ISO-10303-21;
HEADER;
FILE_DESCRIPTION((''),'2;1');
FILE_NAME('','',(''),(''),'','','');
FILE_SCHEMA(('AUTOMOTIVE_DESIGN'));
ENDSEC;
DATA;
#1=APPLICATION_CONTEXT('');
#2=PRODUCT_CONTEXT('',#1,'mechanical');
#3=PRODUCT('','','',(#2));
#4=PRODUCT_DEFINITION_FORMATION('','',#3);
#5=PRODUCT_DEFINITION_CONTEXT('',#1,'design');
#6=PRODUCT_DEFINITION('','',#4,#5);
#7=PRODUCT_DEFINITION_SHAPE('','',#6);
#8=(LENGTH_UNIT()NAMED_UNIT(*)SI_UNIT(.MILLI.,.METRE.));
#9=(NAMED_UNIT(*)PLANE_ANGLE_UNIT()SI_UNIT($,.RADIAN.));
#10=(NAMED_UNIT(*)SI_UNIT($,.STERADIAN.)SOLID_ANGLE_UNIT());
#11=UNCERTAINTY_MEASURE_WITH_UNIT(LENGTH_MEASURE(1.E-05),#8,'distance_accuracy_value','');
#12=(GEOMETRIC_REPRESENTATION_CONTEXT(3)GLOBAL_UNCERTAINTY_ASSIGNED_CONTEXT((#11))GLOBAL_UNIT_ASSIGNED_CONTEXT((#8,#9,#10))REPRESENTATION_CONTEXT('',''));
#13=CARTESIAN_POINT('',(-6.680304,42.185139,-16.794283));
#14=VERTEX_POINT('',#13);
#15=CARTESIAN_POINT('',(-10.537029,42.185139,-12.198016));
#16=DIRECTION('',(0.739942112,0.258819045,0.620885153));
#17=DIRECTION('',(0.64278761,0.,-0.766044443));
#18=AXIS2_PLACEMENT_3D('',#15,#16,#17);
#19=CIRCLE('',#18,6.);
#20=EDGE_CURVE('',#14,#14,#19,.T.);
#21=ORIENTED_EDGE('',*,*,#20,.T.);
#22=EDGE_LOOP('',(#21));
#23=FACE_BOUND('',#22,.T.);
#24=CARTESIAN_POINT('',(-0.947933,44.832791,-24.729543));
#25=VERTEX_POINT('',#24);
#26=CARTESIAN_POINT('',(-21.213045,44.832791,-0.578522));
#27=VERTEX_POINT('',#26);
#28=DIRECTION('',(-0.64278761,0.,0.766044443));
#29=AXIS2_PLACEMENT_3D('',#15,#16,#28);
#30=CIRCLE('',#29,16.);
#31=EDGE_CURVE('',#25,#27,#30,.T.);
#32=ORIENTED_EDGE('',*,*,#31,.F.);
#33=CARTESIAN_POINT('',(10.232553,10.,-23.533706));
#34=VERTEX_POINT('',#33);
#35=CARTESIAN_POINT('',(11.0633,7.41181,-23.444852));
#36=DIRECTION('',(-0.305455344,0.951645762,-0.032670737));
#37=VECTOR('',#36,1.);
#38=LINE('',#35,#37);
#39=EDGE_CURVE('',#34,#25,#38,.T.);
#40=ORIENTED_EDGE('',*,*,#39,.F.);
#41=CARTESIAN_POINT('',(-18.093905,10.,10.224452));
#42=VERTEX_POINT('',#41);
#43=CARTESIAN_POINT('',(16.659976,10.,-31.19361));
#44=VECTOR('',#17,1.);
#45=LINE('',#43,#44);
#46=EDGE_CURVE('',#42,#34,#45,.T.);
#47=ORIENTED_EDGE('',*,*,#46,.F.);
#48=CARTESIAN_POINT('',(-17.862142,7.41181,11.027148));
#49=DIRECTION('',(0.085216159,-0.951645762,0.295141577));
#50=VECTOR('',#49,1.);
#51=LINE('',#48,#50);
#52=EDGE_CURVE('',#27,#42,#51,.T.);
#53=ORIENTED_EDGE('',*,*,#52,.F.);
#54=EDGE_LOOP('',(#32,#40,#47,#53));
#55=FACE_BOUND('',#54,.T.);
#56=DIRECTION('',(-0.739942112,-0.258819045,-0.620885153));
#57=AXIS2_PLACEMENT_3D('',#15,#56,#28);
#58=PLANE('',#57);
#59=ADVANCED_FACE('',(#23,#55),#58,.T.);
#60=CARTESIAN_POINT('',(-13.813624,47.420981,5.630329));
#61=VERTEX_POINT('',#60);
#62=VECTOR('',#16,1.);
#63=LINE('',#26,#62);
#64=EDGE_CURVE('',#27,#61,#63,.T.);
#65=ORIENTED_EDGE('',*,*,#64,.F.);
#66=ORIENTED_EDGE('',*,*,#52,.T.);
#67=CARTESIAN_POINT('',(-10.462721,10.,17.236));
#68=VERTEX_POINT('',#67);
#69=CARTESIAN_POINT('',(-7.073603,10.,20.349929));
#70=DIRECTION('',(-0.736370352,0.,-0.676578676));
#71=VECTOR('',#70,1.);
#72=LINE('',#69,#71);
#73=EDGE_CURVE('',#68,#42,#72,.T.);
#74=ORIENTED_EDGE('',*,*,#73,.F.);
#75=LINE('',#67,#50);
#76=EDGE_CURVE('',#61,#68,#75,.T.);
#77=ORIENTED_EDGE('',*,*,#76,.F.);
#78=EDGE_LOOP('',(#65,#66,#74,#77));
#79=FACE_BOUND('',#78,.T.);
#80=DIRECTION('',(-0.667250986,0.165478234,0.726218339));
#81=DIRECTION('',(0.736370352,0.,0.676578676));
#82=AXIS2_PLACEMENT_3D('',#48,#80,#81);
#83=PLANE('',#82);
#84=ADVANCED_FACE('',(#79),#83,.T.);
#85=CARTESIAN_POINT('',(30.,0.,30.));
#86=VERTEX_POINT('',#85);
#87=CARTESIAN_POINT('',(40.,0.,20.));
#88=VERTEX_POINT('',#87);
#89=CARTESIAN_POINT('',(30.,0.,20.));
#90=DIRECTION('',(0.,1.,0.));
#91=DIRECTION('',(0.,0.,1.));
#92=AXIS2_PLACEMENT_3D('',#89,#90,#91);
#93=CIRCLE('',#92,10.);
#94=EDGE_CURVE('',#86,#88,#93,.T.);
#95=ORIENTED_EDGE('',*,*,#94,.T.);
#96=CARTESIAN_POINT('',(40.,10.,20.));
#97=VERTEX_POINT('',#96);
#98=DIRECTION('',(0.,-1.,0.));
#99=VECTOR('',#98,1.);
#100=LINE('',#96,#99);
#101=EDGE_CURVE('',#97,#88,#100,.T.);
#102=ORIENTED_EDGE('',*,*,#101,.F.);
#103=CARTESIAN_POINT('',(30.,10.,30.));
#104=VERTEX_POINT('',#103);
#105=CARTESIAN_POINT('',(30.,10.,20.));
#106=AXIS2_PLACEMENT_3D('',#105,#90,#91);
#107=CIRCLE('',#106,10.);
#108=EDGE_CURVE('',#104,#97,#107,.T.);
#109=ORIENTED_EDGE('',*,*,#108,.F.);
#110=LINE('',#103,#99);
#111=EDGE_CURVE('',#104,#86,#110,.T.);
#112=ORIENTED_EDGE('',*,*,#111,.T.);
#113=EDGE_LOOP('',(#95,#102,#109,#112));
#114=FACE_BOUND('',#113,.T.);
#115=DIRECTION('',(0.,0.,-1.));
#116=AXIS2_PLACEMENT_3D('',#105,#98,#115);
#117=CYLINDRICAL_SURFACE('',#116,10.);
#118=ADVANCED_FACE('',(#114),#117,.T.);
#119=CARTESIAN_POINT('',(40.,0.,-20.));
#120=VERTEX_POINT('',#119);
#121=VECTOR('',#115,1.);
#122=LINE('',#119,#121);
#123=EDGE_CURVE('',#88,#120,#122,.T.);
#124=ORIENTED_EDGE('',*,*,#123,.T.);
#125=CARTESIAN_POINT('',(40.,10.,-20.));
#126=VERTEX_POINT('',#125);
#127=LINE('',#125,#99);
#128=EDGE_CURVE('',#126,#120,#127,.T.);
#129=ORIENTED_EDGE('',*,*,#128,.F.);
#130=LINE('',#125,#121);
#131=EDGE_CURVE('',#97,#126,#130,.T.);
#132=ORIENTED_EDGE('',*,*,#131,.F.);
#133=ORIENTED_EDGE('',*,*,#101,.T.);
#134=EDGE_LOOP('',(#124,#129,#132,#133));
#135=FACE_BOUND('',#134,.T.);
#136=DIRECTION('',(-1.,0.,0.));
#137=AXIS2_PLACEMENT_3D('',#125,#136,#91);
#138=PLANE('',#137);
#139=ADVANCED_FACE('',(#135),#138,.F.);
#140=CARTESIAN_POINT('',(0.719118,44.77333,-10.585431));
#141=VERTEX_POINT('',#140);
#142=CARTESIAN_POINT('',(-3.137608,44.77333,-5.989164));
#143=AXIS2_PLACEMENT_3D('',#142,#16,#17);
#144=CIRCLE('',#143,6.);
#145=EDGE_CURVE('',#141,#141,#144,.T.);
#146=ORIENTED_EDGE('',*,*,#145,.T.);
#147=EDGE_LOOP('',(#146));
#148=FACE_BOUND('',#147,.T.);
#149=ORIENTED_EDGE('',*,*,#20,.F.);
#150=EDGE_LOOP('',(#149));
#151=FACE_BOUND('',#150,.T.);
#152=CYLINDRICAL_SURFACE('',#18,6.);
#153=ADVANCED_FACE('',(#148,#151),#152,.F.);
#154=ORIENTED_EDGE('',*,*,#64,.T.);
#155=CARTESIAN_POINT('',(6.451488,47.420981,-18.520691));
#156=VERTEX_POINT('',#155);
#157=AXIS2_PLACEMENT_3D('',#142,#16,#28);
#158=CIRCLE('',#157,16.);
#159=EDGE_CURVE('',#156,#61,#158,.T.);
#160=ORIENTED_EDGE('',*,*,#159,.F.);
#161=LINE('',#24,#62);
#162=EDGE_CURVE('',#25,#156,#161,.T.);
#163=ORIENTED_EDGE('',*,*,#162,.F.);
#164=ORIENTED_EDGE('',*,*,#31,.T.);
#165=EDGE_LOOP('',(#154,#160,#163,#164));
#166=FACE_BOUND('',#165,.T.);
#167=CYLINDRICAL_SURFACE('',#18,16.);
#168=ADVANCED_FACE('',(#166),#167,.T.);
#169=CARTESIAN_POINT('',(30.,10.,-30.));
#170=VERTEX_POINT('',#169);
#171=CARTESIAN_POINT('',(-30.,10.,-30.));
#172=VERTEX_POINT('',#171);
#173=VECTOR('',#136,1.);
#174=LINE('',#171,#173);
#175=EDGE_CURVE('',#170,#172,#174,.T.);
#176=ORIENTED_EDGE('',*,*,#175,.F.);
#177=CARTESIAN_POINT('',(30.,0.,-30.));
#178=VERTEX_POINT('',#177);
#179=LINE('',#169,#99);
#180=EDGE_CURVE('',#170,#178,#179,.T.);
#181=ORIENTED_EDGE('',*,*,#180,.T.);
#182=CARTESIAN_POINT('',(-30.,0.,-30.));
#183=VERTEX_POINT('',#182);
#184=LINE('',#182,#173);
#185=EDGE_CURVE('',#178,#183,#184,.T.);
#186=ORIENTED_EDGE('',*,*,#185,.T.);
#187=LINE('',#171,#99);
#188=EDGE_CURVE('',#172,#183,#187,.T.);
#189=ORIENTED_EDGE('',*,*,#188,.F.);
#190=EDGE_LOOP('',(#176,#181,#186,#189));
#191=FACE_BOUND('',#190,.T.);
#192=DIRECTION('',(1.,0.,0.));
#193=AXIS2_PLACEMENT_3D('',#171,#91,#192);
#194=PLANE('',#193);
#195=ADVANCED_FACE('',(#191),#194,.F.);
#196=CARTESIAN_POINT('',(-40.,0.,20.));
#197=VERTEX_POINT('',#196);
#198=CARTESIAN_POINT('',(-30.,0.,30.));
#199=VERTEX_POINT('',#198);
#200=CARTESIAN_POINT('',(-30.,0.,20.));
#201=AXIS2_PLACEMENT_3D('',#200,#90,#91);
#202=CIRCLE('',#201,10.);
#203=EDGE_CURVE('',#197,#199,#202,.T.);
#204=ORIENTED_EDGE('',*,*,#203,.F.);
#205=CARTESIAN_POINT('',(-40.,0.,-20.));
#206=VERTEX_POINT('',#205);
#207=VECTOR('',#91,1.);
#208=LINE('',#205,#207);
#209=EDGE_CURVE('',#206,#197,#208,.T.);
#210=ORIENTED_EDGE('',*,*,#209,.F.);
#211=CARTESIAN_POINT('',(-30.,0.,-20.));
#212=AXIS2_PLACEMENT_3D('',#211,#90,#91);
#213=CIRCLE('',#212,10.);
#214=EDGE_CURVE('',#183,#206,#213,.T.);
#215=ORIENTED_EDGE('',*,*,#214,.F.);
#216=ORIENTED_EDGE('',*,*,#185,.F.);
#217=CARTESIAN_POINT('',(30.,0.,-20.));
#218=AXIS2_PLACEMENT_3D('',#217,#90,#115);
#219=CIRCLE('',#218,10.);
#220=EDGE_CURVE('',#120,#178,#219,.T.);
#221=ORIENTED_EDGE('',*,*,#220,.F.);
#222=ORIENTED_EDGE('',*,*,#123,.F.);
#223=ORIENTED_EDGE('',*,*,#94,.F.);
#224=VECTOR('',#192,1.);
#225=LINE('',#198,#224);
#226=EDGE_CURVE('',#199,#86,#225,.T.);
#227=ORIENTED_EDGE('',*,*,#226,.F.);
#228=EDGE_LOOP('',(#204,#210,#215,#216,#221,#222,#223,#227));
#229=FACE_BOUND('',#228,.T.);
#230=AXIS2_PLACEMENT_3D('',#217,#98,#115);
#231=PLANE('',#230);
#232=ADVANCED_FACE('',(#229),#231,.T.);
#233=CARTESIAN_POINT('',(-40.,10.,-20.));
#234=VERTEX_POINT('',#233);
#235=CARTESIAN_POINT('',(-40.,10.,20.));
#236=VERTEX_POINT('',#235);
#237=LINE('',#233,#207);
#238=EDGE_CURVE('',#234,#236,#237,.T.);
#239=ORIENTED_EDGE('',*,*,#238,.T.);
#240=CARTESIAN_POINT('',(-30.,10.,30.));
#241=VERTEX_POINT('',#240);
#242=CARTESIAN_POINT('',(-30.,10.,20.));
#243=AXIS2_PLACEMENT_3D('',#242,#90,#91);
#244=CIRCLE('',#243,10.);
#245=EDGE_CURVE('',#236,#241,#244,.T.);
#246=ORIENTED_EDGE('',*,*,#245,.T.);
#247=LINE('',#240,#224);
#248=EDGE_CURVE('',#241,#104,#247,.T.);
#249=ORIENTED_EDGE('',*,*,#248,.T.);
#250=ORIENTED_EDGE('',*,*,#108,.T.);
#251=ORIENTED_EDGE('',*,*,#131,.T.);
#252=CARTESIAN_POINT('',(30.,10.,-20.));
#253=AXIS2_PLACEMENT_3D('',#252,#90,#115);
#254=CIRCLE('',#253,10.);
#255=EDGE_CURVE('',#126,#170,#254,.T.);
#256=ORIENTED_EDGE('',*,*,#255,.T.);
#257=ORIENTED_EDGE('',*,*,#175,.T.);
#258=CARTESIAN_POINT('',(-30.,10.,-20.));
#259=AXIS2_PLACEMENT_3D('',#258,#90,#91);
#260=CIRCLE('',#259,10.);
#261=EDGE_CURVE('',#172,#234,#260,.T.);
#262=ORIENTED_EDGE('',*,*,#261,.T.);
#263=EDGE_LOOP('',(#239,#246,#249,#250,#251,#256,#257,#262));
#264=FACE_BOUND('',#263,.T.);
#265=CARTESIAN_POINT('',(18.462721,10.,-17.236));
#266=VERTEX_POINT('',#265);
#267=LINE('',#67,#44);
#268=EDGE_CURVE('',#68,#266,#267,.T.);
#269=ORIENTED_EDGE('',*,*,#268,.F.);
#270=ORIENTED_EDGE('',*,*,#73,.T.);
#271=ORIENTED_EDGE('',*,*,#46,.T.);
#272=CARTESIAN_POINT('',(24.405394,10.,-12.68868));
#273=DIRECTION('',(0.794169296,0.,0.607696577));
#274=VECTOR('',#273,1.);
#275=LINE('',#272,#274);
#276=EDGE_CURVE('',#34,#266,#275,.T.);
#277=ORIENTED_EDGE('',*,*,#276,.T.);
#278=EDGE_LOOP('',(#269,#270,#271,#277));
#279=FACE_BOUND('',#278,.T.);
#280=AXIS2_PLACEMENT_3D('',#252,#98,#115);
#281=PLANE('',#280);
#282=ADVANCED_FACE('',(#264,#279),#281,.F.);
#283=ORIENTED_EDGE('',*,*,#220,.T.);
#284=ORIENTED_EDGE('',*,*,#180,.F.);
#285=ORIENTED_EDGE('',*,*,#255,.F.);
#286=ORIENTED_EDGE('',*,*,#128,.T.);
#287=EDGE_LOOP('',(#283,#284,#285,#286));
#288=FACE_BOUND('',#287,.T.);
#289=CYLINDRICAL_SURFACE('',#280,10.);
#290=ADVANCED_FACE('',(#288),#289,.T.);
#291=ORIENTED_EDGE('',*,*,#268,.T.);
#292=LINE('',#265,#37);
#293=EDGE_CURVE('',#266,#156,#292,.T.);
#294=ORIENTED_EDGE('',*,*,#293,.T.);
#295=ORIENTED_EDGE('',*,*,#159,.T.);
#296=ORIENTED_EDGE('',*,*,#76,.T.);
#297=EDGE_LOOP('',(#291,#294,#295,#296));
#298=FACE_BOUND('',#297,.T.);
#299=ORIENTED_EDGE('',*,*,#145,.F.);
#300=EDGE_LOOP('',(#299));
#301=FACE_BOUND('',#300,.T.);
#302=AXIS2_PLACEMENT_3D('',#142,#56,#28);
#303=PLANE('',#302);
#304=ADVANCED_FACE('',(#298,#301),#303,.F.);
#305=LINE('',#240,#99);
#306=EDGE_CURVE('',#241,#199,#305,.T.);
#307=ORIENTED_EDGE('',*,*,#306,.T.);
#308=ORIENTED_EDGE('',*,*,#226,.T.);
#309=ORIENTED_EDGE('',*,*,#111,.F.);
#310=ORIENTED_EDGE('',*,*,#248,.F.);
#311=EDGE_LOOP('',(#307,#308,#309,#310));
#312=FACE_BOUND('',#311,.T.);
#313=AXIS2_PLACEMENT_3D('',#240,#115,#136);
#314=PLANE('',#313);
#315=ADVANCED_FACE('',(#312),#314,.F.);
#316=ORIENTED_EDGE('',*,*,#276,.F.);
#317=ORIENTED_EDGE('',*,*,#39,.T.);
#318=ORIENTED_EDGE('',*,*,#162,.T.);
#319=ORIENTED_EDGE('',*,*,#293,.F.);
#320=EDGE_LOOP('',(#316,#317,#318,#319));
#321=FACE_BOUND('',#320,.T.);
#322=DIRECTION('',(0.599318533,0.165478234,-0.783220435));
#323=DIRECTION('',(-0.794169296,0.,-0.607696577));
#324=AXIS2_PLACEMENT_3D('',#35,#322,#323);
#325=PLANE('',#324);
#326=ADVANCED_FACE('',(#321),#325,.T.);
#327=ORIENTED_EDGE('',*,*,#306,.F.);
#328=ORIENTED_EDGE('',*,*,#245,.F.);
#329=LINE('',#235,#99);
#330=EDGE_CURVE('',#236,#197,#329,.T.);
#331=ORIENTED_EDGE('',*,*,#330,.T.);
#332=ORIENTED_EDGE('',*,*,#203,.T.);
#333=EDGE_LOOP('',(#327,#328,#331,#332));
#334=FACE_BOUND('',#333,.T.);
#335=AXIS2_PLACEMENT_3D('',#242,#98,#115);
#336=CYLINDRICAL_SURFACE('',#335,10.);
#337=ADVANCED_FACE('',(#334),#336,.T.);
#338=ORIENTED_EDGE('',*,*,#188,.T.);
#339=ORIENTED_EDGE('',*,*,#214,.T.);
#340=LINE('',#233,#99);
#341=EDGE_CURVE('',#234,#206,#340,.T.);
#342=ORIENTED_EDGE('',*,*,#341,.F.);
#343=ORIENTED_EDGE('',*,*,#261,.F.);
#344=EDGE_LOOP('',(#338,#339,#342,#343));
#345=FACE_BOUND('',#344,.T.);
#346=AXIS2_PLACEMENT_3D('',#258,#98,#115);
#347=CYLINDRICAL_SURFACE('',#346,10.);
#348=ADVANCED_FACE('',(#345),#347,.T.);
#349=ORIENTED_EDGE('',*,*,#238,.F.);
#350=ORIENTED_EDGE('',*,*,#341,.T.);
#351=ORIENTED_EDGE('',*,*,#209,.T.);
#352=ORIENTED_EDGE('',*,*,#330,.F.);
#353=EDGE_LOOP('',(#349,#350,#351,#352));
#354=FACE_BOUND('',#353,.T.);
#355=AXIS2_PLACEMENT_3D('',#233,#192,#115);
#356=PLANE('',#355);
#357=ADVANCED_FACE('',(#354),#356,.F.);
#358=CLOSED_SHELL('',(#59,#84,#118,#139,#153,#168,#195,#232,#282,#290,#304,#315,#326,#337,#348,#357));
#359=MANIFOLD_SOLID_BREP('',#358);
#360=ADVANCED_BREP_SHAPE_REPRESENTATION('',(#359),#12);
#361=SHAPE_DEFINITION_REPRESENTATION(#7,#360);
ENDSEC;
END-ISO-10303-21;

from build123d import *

# Parameters (mm, degrees)
EXTRUDE_1_DEPTH = 10
SKETCH_5_R      = 6
EXTRUDE_2_DEPTH = 10


with BuildPart() as part:
    # 草图1 → 凸台-拉伸1 (new body)
    with BuildSketch(Plane(origin=(0, 0, 0), x_dir=(1, 0, 0), z_dir=(0, 1, 0))):
        with BuildLine():
            Line((-30, 30), (30, 30))
            ThreePointArc((30, 30), (37.071067812, 27.071067812), (40, 20))
            Line((40, 20), (40, -20))
            ThreePointArc((40, -20), (37.071067812, -27.071067812), (30, -30))
            Line((30, -30), (-30, -30))
            ThreePointArc((-30, -30), (-37.071067812, -27.071067812), (-40, -20))
            Line((-40, -20), (-40, 20))
            ThreePointArc((-40, 20), (-37.071067812, 27.071067812), (-30, 30))
        make_face()
    extrude(amount=EXTRUDE_1_DEPTH)

    # 草图5 → 凸台-拉伸2 (add)
    with BuildSketch(Plane(origin=(4.105168422, 1.435917424, 3.444645309), x_dir=(0.6427876096865377, 0, -0.7660444431189795), z_dir=(0.73994211169385, 0.2588190451025179, 0.6208851530148445))):
        with BuildLine():
            Line((-19.928849561, 8.866190698), (25.071150439, 8.866190698))
            Line((25.071150439, 8.866190698), (18.334609469, 47.607241481))
            ThreePointArc((18.334609469, 47.607241481), (2.571150439, 60.866190698), (-13.192308592, 47.607241481))
            Line((-13.192308592, 47.607241481), (-19.928849561, 8.866190698))
        make_face()
        with Locations((2.571150439, 44.866190698)):
            Circle(SKETCH_5_R, mode=Mode.SUBTRACT)
    extrude(amount=-EXTRUDE_2_DEPTH)


solid = part.part
